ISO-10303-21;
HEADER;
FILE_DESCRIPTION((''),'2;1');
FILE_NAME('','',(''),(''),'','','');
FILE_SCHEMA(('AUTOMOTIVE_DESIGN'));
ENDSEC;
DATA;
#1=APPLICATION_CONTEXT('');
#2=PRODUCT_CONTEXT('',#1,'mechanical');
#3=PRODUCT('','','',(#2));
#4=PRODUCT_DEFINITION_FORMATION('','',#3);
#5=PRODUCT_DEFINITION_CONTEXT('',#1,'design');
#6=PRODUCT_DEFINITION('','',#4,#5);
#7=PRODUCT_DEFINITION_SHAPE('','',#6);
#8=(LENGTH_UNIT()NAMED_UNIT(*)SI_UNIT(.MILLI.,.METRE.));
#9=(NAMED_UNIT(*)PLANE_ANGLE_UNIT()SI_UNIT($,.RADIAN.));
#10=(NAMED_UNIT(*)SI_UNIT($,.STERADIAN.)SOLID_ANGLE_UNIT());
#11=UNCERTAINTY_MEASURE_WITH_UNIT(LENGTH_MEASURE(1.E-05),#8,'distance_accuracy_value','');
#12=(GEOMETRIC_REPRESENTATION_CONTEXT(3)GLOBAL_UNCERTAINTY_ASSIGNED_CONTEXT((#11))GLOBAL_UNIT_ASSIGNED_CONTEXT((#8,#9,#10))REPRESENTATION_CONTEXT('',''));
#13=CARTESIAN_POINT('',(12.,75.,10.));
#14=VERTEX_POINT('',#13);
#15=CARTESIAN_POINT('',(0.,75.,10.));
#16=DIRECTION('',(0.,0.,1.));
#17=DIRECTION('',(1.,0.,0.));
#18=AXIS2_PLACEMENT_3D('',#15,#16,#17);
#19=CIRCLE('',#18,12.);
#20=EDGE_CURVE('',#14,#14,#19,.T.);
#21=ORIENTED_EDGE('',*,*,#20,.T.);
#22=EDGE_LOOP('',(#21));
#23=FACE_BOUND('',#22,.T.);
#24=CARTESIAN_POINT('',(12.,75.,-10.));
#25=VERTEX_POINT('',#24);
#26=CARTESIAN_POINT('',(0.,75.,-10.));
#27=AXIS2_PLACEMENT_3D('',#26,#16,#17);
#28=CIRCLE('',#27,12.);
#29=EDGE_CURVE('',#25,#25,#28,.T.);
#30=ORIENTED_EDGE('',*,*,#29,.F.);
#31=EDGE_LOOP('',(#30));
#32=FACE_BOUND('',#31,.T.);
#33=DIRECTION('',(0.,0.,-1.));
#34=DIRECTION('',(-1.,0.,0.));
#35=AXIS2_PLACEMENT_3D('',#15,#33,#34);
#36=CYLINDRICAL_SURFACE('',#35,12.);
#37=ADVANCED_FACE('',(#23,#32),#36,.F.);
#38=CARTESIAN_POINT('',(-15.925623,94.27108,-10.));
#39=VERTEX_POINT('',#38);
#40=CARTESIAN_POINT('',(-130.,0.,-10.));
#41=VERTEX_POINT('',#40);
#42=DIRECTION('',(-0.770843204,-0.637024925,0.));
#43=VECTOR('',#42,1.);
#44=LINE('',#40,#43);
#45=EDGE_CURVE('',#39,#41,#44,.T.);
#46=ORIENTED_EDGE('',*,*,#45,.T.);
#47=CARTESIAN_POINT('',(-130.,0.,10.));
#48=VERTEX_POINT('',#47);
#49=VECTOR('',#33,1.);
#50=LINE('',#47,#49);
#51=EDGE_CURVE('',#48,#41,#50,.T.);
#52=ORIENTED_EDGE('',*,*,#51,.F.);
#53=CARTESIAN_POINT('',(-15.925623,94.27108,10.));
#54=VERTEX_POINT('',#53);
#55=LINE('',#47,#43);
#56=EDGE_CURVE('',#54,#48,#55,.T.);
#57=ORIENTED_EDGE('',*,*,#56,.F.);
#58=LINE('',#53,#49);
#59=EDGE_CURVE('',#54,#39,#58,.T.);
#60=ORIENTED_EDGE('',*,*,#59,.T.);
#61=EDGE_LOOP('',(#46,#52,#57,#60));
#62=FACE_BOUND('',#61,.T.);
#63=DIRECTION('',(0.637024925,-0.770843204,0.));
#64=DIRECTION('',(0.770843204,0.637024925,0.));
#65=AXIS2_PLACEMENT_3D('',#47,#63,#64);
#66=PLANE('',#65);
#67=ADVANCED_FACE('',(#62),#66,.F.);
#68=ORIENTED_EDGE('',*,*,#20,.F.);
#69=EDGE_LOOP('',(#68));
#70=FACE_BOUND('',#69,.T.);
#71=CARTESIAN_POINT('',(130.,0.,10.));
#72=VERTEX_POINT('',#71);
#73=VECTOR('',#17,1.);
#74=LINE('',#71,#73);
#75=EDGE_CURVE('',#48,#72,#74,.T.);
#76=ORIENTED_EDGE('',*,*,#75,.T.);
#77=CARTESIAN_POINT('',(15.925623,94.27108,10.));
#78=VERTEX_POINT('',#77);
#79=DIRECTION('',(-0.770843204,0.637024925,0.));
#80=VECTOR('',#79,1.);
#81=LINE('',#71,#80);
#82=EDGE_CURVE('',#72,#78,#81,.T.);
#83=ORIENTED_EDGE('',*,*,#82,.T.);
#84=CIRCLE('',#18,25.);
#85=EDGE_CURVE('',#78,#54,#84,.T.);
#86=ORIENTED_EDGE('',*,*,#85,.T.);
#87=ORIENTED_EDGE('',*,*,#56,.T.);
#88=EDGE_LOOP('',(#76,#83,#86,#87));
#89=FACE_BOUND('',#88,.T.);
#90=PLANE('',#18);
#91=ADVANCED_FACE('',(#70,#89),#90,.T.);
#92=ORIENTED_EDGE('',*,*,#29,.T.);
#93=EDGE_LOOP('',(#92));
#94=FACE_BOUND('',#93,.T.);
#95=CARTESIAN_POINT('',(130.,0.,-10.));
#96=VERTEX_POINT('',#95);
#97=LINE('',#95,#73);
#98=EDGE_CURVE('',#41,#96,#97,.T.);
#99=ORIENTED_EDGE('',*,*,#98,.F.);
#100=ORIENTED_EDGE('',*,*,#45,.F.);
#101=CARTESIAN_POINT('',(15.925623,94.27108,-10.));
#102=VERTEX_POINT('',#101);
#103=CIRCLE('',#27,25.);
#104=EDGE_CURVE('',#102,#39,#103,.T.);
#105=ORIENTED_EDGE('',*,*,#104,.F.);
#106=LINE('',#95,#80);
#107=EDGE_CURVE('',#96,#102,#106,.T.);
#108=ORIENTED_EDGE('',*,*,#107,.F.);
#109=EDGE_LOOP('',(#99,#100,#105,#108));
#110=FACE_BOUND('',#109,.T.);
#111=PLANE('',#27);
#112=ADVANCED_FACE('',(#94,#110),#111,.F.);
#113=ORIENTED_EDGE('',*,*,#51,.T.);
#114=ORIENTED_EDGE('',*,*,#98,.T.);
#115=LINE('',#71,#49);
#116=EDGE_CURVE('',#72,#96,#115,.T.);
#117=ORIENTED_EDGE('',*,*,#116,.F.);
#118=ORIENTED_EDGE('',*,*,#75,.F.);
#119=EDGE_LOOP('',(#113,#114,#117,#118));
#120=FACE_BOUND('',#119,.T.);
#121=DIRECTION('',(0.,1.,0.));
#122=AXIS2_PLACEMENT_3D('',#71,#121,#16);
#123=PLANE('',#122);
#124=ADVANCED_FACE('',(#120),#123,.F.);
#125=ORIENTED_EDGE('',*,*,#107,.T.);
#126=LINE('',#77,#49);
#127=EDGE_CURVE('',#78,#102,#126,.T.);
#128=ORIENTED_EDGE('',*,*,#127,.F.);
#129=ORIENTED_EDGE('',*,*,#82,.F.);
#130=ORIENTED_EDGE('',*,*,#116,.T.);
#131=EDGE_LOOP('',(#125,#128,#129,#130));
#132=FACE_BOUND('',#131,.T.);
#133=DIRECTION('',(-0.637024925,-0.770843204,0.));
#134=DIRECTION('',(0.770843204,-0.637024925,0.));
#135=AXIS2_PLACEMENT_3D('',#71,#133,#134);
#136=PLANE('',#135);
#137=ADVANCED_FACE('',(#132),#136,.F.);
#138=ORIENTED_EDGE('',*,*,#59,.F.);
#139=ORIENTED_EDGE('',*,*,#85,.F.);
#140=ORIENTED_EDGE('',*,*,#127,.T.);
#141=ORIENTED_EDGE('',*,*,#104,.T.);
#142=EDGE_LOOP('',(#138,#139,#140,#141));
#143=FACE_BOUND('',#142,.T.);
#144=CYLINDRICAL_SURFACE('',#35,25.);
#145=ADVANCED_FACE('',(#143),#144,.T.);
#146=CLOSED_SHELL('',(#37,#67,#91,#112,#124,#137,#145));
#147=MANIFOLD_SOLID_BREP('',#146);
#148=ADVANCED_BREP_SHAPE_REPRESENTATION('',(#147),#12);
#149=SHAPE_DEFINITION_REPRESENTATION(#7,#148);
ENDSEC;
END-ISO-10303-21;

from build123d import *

# Parameters (mm, degrees)
CROQUIS1_R              = 12
SALIENTE_EXTRUIR1_DEPTH = 10


with BuildPart() as part:
    # Croquis1 → Saliente-Extruir1 (new body, symmetric)
    with BuildSketch(Plane.XY):
        with BuildLine():
            Line((130, 0), (-130, 0))
            Line((-130, 0), (-15.92562313, 94.271080092))
            ThreePointArc((-15.92562313, 94.271080092), (0, 100), (15.92562313, 94.271080092))
            Line((15.92562313, 94.271080092), (130, 0))
        make_face()
        with Locations((0, 75)):
            Circle(CROQUIS1_R, mode=Mode.SUBTRACT)
    extrude(amount=SALIENTE_EXTRUIR1_DEPTH, both=True)


solid = part.part
